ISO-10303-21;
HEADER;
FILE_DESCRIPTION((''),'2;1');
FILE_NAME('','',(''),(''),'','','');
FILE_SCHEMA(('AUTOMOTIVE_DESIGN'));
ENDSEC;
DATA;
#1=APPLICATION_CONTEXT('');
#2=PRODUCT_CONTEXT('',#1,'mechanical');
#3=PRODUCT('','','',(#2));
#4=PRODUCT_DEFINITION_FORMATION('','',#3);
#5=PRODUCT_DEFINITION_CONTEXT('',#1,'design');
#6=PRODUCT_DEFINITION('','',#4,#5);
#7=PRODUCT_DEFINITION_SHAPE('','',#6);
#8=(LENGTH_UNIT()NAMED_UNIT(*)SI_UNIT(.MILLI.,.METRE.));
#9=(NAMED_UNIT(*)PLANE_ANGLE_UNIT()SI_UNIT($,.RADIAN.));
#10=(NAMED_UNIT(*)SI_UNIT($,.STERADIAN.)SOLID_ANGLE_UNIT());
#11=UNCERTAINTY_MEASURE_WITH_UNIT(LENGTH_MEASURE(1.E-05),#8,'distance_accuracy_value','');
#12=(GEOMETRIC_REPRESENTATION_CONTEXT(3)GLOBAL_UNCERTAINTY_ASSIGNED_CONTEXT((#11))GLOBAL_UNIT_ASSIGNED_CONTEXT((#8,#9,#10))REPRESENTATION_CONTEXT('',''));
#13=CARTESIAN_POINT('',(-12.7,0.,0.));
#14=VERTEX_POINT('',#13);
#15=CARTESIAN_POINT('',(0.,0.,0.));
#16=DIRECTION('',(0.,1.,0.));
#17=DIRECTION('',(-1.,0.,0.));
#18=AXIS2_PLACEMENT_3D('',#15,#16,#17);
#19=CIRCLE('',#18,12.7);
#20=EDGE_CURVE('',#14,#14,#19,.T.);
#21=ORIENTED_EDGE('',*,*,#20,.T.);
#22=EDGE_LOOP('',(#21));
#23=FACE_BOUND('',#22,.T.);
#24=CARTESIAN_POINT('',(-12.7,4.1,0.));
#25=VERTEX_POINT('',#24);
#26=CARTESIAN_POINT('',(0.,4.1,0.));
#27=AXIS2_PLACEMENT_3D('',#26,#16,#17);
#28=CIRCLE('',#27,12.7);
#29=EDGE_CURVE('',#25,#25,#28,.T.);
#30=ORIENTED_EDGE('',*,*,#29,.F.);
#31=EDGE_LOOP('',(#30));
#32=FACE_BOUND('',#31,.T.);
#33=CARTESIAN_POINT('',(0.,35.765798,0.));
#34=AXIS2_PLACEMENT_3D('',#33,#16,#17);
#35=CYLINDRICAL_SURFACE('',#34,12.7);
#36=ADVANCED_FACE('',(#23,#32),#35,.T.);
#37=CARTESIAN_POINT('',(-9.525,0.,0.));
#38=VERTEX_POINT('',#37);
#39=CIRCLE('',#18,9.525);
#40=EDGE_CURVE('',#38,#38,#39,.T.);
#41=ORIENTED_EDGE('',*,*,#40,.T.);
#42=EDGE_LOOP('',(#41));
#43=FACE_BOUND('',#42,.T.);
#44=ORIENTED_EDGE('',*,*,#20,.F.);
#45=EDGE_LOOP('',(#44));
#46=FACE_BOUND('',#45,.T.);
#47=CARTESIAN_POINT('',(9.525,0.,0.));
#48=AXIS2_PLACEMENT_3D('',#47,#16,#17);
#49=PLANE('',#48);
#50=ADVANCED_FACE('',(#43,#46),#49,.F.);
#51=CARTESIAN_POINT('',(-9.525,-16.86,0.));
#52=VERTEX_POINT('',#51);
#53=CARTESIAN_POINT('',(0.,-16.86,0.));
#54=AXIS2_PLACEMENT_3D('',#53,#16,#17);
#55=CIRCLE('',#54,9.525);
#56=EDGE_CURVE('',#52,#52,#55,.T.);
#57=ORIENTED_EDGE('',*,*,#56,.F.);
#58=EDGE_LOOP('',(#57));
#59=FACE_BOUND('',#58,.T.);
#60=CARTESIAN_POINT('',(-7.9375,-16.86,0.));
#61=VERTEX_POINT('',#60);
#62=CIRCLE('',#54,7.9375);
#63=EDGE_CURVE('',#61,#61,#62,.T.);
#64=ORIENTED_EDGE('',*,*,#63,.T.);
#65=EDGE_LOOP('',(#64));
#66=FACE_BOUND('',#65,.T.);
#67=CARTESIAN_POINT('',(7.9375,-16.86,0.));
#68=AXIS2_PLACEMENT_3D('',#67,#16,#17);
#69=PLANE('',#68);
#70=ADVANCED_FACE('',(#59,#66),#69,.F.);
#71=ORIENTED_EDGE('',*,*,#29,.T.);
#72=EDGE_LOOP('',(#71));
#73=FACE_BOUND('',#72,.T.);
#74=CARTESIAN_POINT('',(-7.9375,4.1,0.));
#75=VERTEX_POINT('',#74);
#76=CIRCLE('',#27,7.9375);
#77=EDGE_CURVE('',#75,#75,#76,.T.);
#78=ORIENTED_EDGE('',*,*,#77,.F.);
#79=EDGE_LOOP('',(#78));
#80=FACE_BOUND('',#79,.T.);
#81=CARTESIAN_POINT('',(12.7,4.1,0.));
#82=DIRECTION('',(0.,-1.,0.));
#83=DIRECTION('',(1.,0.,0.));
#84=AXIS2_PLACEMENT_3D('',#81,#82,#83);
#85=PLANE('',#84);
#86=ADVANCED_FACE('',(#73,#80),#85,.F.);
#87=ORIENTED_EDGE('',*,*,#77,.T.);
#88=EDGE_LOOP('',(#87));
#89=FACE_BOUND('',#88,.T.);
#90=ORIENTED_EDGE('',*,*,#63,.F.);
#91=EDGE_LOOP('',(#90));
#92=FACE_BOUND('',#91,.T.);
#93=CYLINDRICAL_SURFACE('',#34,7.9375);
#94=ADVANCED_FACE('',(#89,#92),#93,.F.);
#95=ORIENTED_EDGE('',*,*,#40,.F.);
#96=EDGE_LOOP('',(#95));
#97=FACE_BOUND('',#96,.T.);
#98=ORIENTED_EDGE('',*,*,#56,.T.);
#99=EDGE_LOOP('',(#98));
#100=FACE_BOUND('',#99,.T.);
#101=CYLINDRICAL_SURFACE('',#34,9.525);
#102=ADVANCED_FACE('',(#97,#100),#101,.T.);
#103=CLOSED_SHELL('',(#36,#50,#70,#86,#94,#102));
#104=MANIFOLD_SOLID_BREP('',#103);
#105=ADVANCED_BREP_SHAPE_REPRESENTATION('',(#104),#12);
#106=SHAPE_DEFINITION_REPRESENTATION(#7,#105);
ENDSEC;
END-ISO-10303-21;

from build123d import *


with BuildPart() as part:
    # Sketch1 → Revolve3 (revolve)
    with BuildSketch(Plane.XY):
        Polygon((9.525, 0), (12.7, 0), (12.7, 4.1), (7.9375, 4.1), (7.9375, -16.86), (9.525, -16.86), align=None)
    revolve(axis=Axis((0, 35.765798189, 0), (0, -1, 0)))


solid = part.part
